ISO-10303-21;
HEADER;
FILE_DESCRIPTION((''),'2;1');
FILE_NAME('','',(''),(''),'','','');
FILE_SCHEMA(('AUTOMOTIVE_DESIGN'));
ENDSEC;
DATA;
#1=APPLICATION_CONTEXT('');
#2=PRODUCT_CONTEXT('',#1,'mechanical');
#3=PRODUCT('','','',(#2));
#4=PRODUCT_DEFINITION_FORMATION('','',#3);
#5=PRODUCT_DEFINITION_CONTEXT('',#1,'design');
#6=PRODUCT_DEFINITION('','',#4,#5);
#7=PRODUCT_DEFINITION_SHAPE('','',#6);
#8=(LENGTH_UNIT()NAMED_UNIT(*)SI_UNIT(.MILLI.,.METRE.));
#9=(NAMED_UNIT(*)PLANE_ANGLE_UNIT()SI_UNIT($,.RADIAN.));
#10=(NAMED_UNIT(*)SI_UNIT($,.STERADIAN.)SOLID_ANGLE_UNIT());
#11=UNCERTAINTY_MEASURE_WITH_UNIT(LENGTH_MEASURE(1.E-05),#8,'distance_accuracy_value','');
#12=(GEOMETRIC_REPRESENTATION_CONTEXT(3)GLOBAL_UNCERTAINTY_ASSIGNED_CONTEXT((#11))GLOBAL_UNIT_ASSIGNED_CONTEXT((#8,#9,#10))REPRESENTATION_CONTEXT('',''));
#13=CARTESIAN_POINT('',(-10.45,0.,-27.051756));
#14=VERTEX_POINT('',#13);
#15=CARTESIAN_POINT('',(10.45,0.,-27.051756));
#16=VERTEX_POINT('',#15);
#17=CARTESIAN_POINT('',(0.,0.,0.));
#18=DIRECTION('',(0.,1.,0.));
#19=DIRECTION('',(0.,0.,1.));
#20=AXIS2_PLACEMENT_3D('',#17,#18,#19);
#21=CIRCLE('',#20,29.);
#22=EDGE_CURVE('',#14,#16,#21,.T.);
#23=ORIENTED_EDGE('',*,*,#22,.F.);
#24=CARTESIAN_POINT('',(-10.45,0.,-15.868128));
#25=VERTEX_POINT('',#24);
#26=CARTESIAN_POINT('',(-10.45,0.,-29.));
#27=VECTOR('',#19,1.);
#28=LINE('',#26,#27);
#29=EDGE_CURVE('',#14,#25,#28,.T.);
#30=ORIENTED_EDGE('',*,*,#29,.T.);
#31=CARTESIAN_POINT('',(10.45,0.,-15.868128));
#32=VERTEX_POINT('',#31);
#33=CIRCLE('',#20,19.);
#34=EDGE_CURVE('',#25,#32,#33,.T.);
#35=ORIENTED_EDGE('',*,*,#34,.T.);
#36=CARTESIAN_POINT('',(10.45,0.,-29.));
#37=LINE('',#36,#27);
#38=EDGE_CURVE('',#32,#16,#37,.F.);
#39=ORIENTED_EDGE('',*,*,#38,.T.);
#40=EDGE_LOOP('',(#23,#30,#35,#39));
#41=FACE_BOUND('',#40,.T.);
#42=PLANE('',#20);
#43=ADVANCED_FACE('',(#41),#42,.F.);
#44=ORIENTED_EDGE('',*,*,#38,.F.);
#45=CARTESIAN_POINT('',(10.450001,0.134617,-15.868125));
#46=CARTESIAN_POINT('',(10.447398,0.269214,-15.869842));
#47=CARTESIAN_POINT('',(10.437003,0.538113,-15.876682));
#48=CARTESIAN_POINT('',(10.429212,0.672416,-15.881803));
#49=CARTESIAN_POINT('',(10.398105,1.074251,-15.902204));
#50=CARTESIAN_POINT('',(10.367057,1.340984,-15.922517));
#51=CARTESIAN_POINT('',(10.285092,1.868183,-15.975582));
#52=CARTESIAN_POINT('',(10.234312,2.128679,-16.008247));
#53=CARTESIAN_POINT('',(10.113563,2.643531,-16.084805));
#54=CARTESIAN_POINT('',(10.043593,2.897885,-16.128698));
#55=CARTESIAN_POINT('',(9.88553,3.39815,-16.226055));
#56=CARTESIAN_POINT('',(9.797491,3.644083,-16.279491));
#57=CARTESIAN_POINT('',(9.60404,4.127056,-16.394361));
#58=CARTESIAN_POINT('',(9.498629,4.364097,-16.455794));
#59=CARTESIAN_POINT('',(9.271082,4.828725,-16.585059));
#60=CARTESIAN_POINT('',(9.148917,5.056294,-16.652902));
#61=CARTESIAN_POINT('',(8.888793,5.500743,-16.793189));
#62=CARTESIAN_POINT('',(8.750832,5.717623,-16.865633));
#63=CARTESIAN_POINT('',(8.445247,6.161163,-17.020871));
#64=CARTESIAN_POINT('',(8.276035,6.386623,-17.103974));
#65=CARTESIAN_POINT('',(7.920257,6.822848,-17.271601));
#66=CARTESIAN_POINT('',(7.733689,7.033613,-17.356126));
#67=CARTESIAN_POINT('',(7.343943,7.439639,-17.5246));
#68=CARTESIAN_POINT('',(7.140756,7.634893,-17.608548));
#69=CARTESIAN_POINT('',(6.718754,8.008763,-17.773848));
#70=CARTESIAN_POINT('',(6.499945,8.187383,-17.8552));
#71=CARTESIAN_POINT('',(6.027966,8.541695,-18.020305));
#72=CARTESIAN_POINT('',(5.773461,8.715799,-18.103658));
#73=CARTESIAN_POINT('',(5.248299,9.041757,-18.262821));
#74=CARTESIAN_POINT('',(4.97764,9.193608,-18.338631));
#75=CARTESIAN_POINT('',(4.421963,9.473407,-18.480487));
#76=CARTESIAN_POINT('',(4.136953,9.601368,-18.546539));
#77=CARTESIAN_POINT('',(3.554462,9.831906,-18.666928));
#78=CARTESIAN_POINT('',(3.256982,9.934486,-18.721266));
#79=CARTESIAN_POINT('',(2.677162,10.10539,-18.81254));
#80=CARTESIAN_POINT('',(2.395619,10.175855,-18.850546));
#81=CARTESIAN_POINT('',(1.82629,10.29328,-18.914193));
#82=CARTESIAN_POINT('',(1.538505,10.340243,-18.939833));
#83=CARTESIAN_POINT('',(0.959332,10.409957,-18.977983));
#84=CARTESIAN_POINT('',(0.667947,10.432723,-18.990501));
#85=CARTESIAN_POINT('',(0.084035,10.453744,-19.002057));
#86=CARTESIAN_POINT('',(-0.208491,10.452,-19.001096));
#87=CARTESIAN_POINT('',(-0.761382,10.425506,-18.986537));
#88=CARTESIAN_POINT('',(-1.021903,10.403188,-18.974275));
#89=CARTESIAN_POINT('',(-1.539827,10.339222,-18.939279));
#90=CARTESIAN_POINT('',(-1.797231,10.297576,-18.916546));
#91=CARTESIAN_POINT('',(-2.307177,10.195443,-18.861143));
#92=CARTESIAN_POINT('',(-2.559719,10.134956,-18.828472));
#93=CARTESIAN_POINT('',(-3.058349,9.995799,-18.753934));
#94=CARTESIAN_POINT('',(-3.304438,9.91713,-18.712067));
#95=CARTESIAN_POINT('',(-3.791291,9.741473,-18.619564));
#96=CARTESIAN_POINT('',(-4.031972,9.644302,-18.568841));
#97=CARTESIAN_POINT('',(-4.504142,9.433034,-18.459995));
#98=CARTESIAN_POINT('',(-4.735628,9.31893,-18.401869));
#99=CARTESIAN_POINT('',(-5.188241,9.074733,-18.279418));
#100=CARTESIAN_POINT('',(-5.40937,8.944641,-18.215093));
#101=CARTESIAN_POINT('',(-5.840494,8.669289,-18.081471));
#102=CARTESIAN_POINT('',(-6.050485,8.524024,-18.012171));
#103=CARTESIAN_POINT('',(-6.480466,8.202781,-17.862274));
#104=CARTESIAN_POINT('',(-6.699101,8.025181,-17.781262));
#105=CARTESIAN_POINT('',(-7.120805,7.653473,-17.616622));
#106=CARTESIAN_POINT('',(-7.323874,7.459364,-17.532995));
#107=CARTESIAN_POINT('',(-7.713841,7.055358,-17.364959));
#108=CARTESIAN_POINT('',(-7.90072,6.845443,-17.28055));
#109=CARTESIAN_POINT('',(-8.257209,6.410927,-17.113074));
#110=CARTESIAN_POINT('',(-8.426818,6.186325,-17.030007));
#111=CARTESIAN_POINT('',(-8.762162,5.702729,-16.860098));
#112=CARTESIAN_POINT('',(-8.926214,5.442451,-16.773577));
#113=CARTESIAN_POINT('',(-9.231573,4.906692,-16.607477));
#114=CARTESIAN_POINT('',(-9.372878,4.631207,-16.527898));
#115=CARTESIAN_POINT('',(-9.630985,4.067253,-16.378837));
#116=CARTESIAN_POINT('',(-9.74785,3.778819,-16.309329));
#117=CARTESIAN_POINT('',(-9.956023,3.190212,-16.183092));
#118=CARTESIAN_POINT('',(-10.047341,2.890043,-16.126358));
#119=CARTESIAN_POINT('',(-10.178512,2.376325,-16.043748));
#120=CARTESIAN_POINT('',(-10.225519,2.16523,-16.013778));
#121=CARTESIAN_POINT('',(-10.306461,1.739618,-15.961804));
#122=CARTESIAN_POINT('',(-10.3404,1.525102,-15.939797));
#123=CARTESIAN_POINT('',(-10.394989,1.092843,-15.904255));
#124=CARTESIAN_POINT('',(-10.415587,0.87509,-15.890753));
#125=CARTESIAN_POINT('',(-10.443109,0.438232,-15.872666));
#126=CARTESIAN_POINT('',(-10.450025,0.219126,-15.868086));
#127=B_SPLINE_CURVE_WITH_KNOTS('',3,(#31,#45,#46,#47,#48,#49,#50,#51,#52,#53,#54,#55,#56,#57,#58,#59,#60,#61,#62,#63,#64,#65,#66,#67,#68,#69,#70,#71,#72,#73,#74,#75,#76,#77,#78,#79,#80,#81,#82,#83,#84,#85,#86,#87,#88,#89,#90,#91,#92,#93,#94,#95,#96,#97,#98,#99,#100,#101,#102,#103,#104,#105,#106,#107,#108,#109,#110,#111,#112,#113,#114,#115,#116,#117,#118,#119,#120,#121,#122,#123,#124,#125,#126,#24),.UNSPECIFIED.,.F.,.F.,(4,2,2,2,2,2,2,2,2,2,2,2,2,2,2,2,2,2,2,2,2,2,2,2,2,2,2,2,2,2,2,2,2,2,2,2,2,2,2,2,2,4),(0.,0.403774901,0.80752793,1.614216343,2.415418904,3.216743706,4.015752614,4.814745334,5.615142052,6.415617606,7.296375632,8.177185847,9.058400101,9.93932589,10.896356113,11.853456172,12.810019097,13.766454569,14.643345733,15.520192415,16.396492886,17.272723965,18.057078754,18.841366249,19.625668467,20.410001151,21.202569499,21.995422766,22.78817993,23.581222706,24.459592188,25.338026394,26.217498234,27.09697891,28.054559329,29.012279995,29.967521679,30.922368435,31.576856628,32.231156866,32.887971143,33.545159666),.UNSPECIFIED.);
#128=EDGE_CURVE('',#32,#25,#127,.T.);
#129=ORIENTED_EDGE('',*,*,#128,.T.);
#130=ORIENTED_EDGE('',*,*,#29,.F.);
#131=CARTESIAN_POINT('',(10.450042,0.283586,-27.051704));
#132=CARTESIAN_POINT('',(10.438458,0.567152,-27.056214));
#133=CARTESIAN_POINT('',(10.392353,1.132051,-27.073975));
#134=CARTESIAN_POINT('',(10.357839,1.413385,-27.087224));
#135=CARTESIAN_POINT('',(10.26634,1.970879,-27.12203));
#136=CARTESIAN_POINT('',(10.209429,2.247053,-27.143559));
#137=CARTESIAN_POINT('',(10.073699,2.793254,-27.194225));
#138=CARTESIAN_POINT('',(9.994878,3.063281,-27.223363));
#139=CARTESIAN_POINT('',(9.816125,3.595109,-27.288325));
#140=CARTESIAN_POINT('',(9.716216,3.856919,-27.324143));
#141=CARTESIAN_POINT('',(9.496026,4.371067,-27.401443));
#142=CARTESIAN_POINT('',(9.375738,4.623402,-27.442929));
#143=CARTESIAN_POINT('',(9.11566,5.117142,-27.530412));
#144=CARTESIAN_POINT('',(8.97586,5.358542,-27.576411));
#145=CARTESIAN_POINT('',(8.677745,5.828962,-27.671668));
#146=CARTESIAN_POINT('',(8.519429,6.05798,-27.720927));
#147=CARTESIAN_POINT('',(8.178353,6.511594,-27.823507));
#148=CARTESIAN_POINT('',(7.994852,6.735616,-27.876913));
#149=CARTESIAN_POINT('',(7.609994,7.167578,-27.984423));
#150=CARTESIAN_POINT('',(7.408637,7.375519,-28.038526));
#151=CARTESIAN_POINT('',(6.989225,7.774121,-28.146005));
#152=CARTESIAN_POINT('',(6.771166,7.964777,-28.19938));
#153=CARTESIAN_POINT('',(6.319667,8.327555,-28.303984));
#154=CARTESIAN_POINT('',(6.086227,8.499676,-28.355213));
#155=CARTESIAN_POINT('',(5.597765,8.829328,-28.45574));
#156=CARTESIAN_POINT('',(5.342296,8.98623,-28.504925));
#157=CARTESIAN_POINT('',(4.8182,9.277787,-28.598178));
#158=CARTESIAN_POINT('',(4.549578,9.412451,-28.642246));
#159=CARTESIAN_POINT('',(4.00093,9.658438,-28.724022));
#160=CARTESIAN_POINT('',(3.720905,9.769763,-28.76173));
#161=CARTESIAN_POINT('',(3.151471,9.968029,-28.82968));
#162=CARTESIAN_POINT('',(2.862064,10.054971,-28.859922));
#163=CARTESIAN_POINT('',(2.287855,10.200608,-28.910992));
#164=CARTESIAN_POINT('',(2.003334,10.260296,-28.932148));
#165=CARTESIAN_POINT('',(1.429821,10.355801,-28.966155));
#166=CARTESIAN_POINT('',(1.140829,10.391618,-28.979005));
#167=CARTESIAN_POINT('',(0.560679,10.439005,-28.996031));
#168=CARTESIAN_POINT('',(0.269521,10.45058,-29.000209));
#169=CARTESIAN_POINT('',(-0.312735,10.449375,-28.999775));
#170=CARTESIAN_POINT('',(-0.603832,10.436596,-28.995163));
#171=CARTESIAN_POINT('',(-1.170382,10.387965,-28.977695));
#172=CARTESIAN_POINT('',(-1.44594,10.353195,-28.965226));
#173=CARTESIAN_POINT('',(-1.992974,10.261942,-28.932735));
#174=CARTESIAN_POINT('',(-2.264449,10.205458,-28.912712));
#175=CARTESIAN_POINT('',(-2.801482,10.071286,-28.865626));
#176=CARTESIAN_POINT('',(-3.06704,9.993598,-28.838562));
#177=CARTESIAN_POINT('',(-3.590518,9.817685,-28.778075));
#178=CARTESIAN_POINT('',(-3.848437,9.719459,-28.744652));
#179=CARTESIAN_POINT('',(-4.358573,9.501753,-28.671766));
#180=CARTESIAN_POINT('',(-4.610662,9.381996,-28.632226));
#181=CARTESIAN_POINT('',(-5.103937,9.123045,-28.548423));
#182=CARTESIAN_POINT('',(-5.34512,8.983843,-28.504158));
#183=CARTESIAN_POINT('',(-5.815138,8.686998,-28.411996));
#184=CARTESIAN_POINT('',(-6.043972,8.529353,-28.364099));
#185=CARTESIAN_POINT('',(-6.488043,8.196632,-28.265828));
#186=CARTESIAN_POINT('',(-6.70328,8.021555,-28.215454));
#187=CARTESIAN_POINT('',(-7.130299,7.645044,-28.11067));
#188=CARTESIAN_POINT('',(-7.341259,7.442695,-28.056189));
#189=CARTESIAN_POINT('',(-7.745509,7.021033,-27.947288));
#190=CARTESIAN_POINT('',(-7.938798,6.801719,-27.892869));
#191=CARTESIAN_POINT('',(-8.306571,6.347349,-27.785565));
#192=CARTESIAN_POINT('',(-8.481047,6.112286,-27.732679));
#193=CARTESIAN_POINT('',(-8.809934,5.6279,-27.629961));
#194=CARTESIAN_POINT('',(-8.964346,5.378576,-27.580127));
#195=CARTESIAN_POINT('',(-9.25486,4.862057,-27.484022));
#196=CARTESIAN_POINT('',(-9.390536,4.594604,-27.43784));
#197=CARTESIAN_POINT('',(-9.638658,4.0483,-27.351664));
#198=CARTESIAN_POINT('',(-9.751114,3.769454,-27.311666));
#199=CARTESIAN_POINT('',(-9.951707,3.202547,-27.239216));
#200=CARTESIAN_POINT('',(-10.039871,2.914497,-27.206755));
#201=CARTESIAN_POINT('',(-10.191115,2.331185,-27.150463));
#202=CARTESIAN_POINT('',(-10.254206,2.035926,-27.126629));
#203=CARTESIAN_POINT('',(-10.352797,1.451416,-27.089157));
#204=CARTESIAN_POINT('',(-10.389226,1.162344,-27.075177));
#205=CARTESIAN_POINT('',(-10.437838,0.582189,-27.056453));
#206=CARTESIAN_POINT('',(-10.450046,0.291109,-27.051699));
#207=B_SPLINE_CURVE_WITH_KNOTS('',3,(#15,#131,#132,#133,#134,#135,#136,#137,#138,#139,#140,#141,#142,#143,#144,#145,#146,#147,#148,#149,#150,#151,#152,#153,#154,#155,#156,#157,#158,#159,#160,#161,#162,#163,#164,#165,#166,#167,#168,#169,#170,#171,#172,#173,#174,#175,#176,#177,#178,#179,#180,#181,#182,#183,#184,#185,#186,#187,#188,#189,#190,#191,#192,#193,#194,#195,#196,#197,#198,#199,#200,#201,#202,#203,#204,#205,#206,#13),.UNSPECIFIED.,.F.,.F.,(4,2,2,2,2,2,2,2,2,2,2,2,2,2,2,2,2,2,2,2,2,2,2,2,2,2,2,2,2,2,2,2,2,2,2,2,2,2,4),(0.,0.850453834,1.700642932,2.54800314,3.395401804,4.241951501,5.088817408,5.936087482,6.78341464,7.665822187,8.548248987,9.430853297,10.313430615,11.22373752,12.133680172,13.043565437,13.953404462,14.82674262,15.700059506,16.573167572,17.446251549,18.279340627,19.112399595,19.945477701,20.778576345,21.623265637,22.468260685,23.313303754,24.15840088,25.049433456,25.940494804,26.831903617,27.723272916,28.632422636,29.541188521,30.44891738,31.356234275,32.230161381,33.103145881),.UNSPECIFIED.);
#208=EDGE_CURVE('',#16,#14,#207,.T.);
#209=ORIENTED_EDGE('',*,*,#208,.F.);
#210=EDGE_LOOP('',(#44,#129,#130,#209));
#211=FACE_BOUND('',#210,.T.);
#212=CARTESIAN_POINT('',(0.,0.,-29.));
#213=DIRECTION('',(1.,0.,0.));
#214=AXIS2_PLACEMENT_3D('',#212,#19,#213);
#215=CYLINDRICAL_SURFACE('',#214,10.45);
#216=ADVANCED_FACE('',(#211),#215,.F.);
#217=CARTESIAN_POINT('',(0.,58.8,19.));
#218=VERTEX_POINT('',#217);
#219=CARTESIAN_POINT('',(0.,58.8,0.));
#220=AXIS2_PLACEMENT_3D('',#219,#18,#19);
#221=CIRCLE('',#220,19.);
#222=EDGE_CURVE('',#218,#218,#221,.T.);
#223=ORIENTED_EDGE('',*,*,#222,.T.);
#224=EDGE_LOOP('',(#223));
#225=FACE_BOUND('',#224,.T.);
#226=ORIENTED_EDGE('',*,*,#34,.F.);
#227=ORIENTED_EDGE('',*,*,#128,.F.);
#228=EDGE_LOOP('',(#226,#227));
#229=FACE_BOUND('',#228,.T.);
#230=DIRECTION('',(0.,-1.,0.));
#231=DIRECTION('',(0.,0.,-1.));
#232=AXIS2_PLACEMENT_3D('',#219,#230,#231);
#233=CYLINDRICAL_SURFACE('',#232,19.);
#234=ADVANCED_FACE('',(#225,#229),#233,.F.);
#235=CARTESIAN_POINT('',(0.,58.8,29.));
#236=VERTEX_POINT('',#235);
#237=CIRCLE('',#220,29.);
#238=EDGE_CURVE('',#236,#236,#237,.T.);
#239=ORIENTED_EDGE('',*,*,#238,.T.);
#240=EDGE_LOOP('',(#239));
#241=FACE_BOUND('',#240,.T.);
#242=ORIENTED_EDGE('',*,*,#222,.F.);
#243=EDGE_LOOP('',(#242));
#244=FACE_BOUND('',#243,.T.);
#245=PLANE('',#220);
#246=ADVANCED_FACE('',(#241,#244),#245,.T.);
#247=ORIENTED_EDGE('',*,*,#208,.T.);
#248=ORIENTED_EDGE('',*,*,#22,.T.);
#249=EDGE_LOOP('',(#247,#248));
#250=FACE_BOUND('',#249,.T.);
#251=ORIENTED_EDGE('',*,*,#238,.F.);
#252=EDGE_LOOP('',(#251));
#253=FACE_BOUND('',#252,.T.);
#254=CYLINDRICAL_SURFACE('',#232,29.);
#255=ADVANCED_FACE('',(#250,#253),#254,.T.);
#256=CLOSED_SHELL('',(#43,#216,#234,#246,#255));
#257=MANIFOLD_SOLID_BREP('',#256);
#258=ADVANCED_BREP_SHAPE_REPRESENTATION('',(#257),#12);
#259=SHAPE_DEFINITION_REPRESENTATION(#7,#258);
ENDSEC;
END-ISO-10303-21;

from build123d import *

# Parameters (mm, degrees)
SKETCH1_R           = 29
SKETCH1_R_2         = 19
BOSS_EXTRUDE1_DEPTH = 58.8
SKETCH2_R           = 10.45
CUT_EXTRUDE1_DEPTH  = 72.689887711


with BuildPart() as part:
    # Sketch1 → Boss-Extrude1 (new body)
    with BuildSketch(Plane(origin=(0, 0, 0), x_dir=(1, 0, 0), z_dir=(0, 1, 0))):
        with Locations(Location((0, 0, 0), (0, 0, 270))):
            Circle(SKETCH1_R)
        with Locations(Location((0, 0, 0), (0, 0, 270))):
            Circle(SKETCH1_R_2, mode=Mode.SUBTRACT)
    extrude(amount=BOSS_EXTRUDE1_DEPTH)

    # Sketch2 → Cut-Extrude1 (cut, through all)
    with BuildSketch(Plane.XY):
        Circle(SKETCH2_R)
    extrude(amount=-CUT_EXTRUDE1_DEPTH, mode=Mode.SUBTRACT)


solid = part.part
